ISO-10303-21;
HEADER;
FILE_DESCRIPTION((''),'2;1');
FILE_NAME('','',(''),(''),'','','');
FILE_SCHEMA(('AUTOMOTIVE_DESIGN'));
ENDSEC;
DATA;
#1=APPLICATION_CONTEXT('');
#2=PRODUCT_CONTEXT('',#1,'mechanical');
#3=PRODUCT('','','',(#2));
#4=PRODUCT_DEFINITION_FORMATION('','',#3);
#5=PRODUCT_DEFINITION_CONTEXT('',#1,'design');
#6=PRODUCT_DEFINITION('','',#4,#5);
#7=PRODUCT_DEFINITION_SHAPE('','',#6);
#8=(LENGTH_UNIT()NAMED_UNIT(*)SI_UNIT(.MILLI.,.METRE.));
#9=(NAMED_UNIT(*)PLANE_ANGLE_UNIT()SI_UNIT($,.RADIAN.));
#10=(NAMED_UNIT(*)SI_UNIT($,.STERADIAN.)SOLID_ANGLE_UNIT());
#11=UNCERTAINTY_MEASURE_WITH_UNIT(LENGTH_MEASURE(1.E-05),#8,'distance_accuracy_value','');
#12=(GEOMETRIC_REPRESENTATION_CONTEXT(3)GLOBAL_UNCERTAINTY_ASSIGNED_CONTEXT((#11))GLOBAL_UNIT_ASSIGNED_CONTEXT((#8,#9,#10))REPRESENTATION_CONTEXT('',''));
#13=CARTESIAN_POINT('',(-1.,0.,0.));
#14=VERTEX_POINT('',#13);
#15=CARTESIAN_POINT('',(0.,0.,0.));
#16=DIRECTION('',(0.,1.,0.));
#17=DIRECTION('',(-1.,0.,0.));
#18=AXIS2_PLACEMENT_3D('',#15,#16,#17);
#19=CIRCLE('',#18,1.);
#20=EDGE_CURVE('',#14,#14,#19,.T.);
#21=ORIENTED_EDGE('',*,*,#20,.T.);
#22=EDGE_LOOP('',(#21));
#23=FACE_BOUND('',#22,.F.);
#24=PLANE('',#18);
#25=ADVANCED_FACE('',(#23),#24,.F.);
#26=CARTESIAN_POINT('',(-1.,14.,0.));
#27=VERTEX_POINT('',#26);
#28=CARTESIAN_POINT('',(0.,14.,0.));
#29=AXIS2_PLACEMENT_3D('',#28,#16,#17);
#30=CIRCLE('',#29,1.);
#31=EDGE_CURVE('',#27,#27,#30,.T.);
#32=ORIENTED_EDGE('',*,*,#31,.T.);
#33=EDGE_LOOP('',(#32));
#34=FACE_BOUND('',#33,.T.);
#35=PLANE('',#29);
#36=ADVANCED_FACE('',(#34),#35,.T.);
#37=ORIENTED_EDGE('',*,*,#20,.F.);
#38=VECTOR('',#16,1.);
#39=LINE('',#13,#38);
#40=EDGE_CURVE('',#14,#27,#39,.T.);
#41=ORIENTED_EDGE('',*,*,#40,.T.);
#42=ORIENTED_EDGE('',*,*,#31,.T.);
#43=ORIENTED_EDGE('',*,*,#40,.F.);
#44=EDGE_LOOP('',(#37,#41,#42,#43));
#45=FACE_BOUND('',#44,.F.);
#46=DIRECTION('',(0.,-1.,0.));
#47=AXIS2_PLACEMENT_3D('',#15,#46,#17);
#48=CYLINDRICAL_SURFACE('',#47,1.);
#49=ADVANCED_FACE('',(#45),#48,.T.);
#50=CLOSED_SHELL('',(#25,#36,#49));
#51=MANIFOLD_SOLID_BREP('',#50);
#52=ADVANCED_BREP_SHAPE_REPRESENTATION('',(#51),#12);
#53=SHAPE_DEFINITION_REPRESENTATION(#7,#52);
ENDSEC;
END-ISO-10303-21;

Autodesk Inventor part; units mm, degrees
ref_plane "YZ Plane" through (0, 0, 0) normal (1, 0, 0) x (0, 1, 0)
ref_plane "XZ Plane" through (0, 0, 0) normal (0, 1, 0) x (-1, 0, 0)
ref_plane "XY Plane" through (0, 0, 0) normal (0, 0, 1) x (1, 0, 0)
sketch "スケッチ1" plane through (0, 0, 0) normal (0, 1, 0) x (-1, 0, 0)
  circle A0 centre (0, 0) radius 1
  dimension "d0" = 2
extrude "押し出し1" add sketch "スケッチ1" along normal blind 14
properties part number "shaft_Φ3_60"
